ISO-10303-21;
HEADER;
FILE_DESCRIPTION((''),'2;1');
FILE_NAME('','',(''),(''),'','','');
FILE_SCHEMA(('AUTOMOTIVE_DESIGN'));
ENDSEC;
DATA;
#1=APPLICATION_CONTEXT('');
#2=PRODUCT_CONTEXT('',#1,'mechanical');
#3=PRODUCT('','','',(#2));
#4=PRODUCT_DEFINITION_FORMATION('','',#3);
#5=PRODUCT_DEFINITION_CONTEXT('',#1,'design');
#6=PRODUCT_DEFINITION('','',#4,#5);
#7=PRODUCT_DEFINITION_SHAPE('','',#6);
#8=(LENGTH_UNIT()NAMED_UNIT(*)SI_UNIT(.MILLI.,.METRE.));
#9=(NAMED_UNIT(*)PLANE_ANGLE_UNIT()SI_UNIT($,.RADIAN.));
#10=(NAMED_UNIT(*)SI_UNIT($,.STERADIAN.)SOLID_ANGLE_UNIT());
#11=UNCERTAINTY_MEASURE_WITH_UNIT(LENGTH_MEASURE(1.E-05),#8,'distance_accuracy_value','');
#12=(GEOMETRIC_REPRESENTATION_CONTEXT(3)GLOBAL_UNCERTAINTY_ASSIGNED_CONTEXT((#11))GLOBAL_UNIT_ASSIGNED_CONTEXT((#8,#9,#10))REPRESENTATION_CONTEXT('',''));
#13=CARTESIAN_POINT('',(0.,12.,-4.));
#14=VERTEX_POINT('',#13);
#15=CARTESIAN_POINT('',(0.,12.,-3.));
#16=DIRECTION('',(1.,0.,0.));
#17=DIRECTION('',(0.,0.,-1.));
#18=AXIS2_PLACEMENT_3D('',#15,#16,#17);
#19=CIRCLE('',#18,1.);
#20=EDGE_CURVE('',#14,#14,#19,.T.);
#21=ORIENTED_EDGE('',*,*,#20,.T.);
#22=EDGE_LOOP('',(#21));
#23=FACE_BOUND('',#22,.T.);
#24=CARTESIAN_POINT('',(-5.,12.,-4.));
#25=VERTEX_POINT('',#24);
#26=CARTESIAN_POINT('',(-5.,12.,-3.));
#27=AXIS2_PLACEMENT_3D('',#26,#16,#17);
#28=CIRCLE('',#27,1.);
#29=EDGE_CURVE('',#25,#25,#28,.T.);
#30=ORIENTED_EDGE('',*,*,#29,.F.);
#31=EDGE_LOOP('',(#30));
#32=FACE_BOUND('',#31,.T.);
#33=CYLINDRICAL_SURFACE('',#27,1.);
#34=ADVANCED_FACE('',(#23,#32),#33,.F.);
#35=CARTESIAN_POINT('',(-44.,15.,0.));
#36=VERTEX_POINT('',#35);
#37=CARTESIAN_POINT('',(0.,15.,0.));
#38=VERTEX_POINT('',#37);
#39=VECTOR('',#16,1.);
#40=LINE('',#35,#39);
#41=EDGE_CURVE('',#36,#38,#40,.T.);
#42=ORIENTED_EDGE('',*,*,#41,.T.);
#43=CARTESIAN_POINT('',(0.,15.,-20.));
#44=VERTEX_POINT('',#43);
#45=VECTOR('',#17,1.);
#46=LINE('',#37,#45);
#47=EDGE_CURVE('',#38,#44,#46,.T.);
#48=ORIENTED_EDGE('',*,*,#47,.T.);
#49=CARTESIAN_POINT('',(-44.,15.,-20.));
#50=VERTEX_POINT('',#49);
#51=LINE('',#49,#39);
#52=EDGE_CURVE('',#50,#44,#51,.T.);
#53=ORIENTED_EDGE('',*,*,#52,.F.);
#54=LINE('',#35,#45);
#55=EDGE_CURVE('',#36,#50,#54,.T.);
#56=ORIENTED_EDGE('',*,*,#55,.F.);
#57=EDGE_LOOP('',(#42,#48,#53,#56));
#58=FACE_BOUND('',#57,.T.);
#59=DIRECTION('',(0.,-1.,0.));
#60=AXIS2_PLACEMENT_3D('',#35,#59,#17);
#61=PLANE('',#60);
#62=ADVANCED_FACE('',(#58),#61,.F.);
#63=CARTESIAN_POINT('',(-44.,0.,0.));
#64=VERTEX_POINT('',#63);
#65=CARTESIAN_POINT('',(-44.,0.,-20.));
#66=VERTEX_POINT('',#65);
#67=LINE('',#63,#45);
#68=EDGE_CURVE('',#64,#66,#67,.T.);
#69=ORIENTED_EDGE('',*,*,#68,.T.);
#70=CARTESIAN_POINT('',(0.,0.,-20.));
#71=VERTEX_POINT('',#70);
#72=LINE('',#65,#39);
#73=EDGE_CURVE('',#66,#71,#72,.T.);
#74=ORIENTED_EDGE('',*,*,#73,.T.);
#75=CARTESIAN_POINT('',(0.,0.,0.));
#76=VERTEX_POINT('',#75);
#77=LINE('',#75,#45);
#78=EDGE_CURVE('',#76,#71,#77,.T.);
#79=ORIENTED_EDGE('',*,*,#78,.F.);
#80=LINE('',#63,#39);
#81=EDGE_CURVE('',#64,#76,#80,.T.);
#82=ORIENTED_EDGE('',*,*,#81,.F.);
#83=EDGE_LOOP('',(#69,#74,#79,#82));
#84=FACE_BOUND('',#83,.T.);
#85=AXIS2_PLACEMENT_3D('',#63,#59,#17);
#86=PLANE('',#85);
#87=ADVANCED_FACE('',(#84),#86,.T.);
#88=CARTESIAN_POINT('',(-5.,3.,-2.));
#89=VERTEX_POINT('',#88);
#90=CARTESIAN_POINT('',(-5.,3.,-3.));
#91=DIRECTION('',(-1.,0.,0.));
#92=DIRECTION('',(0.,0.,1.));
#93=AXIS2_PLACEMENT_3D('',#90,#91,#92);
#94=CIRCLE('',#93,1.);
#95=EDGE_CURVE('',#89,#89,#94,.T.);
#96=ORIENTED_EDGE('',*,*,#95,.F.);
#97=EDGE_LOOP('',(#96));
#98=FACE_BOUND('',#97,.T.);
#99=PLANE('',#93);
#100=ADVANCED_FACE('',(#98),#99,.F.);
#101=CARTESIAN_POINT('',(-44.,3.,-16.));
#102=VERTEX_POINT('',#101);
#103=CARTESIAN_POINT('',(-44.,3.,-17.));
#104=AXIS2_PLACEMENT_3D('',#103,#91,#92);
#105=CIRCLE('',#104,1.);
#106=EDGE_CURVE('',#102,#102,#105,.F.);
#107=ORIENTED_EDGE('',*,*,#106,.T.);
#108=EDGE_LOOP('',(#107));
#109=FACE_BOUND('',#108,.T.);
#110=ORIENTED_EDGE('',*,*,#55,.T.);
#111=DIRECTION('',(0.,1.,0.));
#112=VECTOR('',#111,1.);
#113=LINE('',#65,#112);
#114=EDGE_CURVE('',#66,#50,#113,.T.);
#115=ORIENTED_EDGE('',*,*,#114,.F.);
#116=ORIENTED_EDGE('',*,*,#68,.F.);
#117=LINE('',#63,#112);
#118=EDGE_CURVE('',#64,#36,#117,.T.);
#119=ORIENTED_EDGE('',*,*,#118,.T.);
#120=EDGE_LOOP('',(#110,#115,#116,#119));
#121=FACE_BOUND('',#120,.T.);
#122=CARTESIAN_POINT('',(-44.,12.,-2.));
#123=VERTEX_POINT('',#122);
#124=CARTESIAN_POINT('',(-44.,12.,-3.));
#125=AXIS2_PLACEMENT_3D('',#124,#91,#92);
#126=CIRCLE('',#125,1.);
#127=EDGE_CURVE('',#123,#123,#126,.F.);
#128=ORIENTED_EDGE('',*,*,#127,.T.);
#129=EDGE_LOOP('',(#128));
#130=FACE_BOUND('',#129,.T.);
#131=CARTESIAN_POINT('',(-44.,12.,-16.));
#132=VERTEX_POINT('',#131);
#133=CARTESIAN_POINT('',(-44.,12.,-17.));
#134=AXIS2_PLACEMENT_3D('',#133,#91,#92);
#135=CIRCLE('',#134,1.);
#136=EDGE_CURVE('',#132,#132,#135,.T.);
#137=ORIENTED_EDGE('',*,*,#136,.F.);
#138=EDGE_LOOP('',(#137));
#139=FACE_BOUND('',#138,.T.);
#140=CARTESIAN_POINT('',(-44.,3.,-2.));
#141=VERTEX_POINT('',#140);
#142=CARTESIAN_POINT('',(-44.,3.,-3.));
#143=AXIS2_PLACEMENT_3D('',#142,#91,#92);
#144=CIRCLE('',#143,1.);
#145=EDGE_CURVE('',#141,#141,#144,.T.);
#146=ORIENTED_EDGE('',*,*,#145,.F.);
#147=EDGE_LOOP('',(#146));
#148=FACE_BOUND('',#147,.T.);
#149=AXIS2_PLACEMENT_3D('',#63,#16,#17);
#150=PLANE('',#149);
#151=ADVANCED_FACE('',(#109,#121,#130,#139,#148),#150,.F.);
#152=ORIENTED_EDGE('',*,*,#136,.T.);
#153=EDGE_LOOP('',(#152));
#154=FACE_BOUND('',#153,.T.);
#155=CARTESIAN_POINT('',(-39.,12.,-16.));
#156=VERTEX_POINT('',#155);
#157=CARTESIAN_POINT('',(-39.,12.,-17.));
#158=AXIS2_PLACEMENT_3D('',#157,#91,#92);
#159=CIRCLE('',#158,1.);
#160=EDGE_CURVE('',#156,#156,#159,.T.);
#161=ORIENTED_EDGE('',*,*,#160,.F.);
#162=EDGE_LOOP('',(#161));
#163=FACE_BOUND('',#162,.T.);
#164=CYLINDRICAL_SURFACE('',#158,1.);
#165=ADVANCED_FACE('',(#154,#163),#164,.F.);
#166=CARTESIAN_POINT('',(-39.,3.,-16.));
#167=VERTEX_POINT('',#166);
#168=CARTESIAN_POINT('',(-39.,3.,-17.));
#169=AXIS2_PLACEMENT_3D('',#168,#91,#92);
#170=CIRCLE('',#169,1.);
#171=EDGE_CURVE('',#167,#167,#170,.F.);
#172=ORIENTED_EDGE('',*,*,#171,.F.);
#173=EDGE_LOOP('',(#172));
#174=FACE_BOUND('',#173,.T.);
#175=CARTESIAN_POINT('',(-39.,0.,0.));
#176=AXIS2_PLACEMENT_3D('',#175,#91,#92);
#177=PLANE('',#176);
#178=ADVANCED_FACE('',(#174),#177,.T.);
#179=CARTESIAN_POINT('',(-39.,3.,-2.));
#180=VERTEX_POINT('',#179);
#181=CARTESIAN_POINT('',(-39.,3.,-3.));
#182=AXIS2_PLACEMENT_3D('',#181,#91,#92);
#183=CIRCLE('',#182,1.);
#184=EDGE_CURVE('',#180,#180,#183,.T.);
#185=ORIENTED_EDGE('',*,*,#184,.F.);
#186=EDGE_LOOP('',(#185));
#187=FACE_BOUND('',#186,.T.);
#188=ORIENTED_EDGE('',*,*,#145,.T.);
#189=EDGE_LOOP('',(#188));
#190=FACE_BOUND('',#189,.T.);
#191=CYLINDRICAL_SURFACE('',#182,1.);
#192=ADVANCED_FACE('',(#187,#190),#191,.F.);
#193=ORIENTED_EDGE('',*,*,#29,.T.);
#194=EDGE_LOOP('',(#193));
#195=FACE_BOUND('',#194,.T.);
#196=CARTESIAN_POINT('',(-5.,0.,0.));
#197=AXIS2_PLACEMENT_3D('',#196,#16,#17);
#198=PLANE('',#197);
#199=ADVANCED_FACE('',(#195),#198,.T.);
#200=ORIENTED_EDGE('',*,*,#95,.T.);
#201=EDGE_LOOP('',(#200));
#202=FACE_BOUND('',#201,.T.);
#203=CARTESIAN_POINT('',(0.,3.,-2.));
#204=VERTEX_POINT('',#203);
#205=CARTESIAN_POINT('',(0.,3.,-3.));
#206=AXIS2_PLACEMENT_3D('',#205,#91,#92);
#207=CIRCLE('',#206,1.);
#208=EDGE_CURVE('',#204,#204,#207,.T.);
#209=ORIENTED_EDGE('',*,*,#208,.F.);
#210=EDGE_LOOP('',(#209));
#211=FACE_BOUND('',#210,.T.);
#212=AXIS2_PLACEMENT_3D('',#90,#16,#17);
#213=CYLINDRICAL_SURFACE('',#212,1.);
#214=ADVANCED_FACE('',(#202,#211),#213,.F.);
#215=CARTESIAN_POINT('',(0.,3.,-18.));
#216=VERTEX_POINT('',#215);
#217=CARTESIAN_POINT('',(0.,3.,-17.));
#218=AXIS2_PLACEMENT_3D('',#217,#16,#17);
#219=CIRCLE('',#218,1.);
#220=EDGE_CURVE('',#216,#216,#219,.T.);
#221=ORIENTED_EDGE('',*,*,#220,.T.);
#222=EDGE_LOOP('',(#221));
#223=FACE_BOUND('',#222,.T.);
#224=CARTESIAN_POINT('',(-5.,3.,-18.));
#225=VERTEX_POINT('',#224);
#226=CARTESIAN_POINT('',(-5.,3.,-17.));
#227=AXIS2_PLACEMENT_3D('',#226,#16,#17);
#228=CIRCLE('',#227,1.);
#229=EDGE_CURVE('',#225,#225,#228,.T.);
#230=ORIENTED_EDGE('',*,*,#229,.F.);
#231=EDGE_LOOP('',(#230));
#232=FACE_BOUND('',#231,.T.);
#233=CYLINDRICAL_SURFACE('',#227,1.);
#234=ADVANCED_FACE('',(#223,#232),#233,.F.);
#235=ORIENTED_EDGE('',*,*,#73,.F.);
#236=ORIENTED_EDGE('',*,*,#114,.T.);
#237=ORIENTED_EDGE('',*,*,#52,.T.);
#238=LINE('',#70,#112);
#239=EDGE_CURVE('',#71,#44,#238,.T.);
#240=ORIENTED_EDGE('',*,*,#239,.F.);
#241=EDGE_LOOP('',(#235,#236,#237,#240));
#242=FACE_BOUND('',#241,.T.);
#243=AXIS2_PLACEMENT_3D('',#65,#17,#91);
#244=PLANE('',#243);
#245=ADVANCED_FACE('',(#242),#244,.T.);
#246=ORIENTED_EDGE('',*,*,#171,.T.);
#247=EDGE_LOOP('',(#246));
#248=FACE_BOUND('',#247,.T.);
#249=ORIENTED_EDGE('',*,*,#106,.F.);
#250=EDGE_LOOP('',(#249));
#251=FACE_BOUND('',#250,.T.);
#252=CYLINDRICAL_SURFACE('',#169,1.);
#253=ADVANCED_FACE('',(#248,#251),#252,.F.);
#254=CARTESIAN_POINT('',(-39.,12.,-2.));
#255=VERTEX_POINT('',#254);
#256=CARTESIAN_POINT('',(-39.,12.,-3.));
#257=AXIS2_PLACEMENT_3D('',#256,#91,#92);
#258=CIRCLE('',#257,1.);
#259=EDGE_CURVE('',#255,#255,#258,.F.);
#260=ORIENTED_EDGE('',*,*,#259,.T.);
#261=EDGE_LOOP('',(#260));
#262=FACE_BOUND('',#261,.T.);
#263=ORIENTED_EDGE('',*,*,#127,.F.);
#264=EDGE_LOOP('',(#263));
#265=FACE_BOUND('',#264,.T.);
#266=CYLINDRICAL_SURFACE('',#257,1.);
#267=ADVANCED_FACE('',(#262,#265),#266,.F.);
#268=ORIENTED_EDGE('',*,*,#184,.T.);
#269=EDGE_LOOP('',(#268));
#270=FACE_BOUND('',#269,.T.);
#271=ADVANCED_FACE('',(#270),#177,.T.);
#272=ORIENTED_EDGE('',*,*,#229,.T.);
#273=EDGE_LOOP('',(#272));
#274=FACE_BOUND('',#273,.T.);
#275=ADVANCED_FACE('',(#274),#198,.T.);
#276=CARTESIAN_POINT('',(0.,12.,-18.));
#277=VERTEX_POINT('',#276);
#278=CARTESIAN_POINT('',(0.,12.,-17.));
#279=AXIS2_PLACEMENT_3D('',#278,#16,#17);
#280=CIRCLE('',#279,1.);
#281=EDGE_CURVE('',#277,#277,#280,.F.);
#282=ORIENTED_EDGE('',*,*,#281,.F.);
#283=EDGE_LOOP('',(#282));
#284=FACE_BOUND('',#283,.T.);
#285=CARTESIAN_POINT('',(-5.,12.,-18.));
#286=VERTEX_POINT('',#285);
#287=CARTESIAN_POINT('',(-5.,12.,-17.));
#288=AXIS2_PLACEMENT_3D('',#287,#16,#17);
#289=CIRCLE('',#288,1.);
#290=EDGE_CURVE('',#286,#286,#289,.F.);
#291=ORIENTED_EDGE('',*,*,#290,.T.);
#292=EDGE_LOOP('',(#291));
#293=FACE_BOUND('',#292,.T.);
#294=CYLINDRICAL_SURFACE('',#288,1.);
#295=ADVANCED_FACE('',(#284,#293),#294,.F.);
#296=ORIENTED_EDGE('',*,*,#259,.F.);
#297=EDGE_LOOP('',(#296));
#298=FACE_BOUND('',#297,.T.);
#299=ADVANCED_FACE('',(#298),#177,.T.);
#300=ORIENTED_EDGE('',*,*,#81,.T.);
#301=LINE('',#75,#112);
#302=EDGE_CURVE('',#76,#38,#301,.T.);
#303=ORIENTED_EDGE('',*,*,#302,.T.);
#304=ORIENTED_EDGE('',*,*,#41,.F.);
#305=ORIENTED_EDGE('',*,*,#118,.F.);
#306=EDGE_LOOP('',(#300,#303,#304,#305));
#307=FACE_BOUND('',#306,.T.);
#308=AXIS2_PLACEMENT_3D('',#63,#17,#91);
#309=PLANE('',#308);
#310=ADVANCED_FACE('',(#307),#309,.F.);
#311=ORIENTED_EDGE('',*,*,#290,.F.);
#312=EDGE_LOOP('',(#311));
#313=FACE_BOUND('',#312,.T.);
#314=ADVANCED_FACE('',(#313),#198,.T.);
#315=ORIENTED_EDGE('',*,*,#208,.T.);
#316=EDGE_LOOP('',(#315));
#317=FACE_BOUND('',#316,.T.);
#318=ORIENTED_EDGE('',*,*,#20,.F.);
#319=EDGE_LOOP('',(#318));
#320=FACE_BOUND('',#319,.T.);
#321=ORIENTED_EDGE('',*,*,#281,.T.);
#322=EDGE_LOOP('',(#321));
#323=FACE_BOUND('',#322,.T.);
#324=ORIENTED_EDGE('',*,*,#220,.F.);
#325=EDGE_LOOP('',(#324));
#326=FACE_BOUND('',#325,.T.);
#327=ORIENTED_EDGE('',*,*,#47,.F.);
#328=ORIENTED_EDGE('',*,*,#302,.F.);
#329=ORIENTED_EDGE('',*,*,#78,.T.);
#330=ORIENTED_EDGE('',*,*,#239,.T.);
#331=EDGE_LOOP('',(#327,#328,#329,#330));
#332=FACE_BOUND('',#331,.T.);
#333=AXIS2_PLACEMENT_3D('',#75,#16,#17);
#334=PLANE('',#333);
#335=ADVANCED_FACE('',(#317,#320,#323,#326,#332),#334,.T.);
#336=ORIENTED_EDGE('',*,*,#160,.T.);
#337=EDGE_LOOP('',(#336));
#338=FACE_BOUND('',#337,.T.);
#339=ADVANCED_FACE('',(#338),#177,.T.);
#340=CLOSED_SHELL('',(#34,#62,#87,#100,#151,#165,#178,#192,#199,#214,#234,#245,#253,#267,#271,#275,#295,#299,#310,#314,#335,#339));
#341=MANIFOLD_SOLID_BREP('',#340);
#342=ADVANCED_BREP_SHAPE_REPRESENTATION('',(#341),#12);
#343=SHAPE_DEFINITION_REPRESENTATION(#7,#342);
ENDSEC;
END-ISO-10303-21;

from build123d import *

# Parameters (mm, degrees)
SKETCH1_W           = 20
SKETCH1_H           = 15
BOSS_EXTRUDE1_DEPTH = 44
SKETCH1_3_R         = 1
CUT_EXTRUDE1_DEPTH  = 5
CUT_EXTRUDE2_START  = -5
SKETCH2_R           = 1
CUT_EXTRUDE2_DEPTH  = 5


with BuildPart() as part:
    # Sketch1 → Boss-Extrude1 (new body)
    with BuildSketch(Plane(origin=(0, 0, 0), x_dir=(0, 0, -1), z_dir=(1, 0, 0))):
        with Locations((10, 7.5)):
            Rectangle(SKETCH1_W, SKETCH1_H)
    extrude(amount=-BOSS_EXTRUDE1_DEPTH)

    # Sketch1<3> → Cut-Extrude1 (cut)
    with BuildSketch(Plane(origin=(0, 0, 0), x_dir=(0, 0, -1), z_dir=(1, 0, 0))):
        with Locations((3, 12)):
            Circle(SKETCH1_3_R)
        with Locations((17, 12)):
            Circle(SKETCH1_3_R)
        with Locations((17, 3)):
            Circle(SKETCH1_3_R)
        with Locations((3, 3)):
            Circle(SKETCH1_3_R)
    extrude(amount=-CUT_EXTRUDE1_DEPTH, mode=Mode.SUBTRACT)

    # Sketch2 → Cut-Extrude2 (cut)
    with BuildSketch(Plane.ZY.offset(44).offset(CUT_EXTRUDE2_START)):
        with Locations((-17, 12)):
            Circle(SKETCH2_R)
        with Locations((-3, 12)):
            Circle(SKETCH2_R)
        with Locations((-3, 3)):
            Circle(SKETCH2_R)
        with Locations((-17, 3)):
            Circle(SKETCH2_R)
    extrude(amount=CUT_EXTRUDE2_DEPTH, mode=Mode.SUBTRACT)


solid = part.part
